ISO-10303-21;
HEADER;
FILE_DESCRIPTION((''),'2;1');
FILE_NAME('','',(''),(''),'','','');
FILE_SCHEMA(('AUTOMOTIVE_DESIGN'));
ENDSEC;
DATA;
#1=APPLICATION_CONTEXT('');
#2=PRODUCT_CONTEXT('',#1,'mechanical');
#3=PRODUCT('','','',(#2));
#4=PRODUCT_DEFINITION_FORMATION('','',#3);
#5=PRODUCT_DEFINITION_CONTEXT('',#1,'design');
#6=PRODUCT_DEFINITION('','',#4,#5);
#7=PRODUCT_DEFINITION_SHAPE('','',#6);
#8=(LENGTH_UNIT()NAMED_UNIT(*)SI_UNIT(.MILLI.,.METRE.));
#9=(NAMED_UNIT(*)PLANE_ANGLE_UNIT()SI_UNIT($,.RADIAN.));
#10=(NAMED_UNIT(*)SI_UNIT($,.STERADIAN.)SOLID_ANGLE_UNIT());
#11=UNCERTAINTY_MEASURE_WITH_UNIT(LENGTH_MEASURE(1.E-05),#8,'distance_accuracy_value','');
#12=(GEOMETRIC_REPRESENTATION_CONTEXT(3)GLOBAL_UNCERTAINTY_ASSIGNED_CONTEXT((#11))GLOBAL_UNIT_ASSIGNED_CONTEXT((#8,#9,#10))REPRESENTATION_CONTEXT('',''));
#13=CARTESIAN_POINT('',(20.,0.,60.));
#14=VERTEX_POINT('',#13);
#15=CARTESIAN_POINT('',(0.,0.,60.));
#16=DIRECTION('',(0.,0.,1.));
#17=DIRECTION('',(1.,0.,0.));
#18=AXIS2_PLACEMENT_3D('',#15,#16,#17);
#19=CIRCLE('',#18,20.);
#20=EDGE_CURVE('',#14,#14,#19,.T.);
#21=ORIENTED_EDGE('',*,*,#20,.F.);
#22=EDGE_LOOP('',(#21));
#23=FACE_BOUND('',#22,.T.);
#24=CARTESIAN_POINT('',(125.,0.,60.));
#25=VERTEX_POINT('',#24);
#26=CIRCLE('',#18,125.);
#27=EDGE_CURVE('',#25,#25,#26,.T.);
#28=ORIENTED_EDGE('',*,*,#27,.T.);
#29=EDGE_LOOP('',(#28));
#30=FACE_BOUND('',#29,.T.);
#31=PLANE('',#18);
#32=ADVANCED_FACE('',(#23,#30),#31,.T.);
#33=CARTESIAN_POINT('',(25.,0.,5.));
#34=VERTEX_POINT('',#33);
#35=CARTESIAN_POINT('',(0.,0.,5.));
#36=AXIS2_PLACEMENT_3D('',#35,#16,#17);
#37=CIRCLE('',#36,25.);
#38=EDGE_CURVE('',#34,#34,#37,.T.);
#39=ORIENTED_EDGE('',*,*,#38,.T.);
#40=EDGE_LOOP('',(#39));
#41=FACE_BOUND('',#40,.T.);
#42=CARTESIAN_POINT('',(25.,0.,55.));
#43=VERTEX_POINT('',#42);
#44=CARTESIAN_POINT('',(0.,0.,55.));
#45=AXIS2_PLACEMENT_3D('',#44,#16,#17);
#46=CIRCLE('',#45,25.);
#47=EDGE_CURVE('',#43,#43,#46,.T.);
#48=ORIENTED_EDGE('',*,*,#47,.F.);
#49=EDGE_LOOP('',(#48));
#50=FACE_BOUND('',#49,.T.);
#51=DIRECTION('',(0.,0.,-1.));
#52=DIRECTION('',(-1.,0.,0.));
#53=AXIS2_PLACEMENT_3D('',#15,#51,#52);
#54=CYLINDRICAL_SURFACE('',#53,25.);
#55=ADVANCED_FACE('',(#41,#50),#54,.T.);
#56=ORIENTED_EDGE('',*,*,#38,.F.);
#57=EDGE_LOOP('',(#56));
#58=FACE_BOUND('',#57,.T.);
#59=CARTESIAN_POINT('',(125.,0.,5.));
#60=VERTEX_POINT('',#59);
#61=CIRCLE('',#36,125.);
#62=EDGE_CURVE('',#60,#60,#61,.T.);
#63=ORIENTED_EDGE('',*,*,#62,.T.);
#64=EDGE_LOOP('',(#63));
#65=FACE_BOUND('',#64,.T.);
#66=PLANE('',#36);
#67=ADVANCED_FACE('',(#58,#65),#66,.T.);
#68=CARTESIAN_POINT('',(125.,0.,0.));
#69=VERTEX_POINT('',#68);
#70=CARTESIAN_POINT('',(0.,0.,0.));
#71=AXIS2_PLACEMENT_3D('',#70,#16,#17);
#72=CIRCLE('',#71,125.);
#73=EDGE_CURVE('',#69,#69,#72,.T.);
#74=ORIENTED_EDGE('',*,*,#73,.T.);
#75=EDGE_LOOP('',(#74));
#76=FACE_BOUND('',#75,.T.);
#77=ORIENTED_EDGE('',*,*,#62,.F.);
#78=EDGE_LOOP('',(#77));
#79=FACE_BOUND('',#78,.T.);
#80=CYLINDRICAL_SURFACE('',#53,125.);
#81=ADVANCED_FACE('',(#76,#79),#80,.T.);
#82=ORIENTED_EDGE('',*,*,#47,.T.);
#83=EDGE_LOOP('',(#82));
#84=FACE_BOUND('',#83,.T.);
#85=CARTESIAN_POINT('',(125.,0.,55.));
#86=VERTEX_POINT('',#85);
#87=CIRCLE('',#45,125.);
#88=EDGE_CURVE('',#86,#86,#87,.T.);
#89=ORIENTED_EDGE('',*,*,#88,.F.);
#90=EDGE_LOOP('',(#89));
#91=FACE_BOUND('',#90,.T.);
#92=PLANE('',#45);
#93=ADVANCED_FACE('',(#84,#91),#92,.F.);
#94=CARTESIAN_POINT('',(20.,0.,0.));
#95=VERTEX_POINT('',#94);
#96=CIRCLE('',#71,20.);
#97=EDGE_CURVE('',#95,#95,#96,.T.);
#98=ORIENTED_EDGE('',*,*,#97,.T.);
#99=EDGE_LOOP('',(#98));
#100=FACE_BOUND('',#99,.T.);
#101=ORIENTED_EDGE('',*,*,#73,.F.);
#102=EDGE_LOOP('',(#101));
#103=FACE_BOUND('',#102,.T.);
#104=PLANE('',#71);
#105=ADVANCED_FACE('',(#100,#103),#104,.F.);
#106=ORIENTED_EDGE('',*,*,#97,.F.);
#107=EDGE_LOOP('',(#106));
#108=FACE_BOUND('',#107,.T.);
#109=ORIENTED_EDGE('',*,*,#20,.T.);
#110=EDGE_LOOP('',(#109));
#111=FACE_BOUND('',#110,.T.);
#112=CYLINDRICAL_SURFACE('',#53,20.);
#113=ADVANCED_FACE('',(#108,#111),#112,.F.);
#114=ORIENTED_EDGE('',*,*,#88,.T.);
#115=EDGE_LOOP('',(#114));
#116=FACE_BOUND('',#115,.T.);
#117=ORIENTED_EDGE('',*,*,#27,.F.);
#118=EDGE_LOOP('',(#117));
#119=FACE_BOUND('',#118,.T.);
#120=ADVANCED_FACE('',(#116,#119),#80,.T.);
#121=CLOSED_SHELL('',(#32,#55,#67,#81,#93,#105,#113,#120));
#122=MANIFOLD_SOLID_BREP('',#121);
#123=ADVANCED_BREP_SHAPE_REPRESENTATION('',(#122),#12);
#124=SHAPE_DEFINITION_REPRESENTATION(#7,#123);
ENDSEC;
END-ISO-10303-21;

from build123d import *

# Parameters (mm, degrees)
SKETCH1_R           = 125
SKETCH1_R_2         = 20
BOSS_EXTRUDE1_DEPTH = 60
SHELL1_T            = -5


with BuildPart() as part:
    # Sketch1 → Boss-Extrude1 (new body)
    with BuildSketch(Plane.XY):
        Circle(SKETCH1_R)
        Circle(SKETCH1_R_2, mode=Mode.SUBTRACT)
    extrude(amount=BOSS_EXTRUDE1_DEPTH)

    # Shell1
    shell1_openings = [part.faces().sort_by_distance(p)[0] for p in [
        (-125, 0, 30),
    ]]
    offset(amount=SHELL1_T, openings=shell1_openings, kind=Kind.INTERSECTION)


solid = part.part
